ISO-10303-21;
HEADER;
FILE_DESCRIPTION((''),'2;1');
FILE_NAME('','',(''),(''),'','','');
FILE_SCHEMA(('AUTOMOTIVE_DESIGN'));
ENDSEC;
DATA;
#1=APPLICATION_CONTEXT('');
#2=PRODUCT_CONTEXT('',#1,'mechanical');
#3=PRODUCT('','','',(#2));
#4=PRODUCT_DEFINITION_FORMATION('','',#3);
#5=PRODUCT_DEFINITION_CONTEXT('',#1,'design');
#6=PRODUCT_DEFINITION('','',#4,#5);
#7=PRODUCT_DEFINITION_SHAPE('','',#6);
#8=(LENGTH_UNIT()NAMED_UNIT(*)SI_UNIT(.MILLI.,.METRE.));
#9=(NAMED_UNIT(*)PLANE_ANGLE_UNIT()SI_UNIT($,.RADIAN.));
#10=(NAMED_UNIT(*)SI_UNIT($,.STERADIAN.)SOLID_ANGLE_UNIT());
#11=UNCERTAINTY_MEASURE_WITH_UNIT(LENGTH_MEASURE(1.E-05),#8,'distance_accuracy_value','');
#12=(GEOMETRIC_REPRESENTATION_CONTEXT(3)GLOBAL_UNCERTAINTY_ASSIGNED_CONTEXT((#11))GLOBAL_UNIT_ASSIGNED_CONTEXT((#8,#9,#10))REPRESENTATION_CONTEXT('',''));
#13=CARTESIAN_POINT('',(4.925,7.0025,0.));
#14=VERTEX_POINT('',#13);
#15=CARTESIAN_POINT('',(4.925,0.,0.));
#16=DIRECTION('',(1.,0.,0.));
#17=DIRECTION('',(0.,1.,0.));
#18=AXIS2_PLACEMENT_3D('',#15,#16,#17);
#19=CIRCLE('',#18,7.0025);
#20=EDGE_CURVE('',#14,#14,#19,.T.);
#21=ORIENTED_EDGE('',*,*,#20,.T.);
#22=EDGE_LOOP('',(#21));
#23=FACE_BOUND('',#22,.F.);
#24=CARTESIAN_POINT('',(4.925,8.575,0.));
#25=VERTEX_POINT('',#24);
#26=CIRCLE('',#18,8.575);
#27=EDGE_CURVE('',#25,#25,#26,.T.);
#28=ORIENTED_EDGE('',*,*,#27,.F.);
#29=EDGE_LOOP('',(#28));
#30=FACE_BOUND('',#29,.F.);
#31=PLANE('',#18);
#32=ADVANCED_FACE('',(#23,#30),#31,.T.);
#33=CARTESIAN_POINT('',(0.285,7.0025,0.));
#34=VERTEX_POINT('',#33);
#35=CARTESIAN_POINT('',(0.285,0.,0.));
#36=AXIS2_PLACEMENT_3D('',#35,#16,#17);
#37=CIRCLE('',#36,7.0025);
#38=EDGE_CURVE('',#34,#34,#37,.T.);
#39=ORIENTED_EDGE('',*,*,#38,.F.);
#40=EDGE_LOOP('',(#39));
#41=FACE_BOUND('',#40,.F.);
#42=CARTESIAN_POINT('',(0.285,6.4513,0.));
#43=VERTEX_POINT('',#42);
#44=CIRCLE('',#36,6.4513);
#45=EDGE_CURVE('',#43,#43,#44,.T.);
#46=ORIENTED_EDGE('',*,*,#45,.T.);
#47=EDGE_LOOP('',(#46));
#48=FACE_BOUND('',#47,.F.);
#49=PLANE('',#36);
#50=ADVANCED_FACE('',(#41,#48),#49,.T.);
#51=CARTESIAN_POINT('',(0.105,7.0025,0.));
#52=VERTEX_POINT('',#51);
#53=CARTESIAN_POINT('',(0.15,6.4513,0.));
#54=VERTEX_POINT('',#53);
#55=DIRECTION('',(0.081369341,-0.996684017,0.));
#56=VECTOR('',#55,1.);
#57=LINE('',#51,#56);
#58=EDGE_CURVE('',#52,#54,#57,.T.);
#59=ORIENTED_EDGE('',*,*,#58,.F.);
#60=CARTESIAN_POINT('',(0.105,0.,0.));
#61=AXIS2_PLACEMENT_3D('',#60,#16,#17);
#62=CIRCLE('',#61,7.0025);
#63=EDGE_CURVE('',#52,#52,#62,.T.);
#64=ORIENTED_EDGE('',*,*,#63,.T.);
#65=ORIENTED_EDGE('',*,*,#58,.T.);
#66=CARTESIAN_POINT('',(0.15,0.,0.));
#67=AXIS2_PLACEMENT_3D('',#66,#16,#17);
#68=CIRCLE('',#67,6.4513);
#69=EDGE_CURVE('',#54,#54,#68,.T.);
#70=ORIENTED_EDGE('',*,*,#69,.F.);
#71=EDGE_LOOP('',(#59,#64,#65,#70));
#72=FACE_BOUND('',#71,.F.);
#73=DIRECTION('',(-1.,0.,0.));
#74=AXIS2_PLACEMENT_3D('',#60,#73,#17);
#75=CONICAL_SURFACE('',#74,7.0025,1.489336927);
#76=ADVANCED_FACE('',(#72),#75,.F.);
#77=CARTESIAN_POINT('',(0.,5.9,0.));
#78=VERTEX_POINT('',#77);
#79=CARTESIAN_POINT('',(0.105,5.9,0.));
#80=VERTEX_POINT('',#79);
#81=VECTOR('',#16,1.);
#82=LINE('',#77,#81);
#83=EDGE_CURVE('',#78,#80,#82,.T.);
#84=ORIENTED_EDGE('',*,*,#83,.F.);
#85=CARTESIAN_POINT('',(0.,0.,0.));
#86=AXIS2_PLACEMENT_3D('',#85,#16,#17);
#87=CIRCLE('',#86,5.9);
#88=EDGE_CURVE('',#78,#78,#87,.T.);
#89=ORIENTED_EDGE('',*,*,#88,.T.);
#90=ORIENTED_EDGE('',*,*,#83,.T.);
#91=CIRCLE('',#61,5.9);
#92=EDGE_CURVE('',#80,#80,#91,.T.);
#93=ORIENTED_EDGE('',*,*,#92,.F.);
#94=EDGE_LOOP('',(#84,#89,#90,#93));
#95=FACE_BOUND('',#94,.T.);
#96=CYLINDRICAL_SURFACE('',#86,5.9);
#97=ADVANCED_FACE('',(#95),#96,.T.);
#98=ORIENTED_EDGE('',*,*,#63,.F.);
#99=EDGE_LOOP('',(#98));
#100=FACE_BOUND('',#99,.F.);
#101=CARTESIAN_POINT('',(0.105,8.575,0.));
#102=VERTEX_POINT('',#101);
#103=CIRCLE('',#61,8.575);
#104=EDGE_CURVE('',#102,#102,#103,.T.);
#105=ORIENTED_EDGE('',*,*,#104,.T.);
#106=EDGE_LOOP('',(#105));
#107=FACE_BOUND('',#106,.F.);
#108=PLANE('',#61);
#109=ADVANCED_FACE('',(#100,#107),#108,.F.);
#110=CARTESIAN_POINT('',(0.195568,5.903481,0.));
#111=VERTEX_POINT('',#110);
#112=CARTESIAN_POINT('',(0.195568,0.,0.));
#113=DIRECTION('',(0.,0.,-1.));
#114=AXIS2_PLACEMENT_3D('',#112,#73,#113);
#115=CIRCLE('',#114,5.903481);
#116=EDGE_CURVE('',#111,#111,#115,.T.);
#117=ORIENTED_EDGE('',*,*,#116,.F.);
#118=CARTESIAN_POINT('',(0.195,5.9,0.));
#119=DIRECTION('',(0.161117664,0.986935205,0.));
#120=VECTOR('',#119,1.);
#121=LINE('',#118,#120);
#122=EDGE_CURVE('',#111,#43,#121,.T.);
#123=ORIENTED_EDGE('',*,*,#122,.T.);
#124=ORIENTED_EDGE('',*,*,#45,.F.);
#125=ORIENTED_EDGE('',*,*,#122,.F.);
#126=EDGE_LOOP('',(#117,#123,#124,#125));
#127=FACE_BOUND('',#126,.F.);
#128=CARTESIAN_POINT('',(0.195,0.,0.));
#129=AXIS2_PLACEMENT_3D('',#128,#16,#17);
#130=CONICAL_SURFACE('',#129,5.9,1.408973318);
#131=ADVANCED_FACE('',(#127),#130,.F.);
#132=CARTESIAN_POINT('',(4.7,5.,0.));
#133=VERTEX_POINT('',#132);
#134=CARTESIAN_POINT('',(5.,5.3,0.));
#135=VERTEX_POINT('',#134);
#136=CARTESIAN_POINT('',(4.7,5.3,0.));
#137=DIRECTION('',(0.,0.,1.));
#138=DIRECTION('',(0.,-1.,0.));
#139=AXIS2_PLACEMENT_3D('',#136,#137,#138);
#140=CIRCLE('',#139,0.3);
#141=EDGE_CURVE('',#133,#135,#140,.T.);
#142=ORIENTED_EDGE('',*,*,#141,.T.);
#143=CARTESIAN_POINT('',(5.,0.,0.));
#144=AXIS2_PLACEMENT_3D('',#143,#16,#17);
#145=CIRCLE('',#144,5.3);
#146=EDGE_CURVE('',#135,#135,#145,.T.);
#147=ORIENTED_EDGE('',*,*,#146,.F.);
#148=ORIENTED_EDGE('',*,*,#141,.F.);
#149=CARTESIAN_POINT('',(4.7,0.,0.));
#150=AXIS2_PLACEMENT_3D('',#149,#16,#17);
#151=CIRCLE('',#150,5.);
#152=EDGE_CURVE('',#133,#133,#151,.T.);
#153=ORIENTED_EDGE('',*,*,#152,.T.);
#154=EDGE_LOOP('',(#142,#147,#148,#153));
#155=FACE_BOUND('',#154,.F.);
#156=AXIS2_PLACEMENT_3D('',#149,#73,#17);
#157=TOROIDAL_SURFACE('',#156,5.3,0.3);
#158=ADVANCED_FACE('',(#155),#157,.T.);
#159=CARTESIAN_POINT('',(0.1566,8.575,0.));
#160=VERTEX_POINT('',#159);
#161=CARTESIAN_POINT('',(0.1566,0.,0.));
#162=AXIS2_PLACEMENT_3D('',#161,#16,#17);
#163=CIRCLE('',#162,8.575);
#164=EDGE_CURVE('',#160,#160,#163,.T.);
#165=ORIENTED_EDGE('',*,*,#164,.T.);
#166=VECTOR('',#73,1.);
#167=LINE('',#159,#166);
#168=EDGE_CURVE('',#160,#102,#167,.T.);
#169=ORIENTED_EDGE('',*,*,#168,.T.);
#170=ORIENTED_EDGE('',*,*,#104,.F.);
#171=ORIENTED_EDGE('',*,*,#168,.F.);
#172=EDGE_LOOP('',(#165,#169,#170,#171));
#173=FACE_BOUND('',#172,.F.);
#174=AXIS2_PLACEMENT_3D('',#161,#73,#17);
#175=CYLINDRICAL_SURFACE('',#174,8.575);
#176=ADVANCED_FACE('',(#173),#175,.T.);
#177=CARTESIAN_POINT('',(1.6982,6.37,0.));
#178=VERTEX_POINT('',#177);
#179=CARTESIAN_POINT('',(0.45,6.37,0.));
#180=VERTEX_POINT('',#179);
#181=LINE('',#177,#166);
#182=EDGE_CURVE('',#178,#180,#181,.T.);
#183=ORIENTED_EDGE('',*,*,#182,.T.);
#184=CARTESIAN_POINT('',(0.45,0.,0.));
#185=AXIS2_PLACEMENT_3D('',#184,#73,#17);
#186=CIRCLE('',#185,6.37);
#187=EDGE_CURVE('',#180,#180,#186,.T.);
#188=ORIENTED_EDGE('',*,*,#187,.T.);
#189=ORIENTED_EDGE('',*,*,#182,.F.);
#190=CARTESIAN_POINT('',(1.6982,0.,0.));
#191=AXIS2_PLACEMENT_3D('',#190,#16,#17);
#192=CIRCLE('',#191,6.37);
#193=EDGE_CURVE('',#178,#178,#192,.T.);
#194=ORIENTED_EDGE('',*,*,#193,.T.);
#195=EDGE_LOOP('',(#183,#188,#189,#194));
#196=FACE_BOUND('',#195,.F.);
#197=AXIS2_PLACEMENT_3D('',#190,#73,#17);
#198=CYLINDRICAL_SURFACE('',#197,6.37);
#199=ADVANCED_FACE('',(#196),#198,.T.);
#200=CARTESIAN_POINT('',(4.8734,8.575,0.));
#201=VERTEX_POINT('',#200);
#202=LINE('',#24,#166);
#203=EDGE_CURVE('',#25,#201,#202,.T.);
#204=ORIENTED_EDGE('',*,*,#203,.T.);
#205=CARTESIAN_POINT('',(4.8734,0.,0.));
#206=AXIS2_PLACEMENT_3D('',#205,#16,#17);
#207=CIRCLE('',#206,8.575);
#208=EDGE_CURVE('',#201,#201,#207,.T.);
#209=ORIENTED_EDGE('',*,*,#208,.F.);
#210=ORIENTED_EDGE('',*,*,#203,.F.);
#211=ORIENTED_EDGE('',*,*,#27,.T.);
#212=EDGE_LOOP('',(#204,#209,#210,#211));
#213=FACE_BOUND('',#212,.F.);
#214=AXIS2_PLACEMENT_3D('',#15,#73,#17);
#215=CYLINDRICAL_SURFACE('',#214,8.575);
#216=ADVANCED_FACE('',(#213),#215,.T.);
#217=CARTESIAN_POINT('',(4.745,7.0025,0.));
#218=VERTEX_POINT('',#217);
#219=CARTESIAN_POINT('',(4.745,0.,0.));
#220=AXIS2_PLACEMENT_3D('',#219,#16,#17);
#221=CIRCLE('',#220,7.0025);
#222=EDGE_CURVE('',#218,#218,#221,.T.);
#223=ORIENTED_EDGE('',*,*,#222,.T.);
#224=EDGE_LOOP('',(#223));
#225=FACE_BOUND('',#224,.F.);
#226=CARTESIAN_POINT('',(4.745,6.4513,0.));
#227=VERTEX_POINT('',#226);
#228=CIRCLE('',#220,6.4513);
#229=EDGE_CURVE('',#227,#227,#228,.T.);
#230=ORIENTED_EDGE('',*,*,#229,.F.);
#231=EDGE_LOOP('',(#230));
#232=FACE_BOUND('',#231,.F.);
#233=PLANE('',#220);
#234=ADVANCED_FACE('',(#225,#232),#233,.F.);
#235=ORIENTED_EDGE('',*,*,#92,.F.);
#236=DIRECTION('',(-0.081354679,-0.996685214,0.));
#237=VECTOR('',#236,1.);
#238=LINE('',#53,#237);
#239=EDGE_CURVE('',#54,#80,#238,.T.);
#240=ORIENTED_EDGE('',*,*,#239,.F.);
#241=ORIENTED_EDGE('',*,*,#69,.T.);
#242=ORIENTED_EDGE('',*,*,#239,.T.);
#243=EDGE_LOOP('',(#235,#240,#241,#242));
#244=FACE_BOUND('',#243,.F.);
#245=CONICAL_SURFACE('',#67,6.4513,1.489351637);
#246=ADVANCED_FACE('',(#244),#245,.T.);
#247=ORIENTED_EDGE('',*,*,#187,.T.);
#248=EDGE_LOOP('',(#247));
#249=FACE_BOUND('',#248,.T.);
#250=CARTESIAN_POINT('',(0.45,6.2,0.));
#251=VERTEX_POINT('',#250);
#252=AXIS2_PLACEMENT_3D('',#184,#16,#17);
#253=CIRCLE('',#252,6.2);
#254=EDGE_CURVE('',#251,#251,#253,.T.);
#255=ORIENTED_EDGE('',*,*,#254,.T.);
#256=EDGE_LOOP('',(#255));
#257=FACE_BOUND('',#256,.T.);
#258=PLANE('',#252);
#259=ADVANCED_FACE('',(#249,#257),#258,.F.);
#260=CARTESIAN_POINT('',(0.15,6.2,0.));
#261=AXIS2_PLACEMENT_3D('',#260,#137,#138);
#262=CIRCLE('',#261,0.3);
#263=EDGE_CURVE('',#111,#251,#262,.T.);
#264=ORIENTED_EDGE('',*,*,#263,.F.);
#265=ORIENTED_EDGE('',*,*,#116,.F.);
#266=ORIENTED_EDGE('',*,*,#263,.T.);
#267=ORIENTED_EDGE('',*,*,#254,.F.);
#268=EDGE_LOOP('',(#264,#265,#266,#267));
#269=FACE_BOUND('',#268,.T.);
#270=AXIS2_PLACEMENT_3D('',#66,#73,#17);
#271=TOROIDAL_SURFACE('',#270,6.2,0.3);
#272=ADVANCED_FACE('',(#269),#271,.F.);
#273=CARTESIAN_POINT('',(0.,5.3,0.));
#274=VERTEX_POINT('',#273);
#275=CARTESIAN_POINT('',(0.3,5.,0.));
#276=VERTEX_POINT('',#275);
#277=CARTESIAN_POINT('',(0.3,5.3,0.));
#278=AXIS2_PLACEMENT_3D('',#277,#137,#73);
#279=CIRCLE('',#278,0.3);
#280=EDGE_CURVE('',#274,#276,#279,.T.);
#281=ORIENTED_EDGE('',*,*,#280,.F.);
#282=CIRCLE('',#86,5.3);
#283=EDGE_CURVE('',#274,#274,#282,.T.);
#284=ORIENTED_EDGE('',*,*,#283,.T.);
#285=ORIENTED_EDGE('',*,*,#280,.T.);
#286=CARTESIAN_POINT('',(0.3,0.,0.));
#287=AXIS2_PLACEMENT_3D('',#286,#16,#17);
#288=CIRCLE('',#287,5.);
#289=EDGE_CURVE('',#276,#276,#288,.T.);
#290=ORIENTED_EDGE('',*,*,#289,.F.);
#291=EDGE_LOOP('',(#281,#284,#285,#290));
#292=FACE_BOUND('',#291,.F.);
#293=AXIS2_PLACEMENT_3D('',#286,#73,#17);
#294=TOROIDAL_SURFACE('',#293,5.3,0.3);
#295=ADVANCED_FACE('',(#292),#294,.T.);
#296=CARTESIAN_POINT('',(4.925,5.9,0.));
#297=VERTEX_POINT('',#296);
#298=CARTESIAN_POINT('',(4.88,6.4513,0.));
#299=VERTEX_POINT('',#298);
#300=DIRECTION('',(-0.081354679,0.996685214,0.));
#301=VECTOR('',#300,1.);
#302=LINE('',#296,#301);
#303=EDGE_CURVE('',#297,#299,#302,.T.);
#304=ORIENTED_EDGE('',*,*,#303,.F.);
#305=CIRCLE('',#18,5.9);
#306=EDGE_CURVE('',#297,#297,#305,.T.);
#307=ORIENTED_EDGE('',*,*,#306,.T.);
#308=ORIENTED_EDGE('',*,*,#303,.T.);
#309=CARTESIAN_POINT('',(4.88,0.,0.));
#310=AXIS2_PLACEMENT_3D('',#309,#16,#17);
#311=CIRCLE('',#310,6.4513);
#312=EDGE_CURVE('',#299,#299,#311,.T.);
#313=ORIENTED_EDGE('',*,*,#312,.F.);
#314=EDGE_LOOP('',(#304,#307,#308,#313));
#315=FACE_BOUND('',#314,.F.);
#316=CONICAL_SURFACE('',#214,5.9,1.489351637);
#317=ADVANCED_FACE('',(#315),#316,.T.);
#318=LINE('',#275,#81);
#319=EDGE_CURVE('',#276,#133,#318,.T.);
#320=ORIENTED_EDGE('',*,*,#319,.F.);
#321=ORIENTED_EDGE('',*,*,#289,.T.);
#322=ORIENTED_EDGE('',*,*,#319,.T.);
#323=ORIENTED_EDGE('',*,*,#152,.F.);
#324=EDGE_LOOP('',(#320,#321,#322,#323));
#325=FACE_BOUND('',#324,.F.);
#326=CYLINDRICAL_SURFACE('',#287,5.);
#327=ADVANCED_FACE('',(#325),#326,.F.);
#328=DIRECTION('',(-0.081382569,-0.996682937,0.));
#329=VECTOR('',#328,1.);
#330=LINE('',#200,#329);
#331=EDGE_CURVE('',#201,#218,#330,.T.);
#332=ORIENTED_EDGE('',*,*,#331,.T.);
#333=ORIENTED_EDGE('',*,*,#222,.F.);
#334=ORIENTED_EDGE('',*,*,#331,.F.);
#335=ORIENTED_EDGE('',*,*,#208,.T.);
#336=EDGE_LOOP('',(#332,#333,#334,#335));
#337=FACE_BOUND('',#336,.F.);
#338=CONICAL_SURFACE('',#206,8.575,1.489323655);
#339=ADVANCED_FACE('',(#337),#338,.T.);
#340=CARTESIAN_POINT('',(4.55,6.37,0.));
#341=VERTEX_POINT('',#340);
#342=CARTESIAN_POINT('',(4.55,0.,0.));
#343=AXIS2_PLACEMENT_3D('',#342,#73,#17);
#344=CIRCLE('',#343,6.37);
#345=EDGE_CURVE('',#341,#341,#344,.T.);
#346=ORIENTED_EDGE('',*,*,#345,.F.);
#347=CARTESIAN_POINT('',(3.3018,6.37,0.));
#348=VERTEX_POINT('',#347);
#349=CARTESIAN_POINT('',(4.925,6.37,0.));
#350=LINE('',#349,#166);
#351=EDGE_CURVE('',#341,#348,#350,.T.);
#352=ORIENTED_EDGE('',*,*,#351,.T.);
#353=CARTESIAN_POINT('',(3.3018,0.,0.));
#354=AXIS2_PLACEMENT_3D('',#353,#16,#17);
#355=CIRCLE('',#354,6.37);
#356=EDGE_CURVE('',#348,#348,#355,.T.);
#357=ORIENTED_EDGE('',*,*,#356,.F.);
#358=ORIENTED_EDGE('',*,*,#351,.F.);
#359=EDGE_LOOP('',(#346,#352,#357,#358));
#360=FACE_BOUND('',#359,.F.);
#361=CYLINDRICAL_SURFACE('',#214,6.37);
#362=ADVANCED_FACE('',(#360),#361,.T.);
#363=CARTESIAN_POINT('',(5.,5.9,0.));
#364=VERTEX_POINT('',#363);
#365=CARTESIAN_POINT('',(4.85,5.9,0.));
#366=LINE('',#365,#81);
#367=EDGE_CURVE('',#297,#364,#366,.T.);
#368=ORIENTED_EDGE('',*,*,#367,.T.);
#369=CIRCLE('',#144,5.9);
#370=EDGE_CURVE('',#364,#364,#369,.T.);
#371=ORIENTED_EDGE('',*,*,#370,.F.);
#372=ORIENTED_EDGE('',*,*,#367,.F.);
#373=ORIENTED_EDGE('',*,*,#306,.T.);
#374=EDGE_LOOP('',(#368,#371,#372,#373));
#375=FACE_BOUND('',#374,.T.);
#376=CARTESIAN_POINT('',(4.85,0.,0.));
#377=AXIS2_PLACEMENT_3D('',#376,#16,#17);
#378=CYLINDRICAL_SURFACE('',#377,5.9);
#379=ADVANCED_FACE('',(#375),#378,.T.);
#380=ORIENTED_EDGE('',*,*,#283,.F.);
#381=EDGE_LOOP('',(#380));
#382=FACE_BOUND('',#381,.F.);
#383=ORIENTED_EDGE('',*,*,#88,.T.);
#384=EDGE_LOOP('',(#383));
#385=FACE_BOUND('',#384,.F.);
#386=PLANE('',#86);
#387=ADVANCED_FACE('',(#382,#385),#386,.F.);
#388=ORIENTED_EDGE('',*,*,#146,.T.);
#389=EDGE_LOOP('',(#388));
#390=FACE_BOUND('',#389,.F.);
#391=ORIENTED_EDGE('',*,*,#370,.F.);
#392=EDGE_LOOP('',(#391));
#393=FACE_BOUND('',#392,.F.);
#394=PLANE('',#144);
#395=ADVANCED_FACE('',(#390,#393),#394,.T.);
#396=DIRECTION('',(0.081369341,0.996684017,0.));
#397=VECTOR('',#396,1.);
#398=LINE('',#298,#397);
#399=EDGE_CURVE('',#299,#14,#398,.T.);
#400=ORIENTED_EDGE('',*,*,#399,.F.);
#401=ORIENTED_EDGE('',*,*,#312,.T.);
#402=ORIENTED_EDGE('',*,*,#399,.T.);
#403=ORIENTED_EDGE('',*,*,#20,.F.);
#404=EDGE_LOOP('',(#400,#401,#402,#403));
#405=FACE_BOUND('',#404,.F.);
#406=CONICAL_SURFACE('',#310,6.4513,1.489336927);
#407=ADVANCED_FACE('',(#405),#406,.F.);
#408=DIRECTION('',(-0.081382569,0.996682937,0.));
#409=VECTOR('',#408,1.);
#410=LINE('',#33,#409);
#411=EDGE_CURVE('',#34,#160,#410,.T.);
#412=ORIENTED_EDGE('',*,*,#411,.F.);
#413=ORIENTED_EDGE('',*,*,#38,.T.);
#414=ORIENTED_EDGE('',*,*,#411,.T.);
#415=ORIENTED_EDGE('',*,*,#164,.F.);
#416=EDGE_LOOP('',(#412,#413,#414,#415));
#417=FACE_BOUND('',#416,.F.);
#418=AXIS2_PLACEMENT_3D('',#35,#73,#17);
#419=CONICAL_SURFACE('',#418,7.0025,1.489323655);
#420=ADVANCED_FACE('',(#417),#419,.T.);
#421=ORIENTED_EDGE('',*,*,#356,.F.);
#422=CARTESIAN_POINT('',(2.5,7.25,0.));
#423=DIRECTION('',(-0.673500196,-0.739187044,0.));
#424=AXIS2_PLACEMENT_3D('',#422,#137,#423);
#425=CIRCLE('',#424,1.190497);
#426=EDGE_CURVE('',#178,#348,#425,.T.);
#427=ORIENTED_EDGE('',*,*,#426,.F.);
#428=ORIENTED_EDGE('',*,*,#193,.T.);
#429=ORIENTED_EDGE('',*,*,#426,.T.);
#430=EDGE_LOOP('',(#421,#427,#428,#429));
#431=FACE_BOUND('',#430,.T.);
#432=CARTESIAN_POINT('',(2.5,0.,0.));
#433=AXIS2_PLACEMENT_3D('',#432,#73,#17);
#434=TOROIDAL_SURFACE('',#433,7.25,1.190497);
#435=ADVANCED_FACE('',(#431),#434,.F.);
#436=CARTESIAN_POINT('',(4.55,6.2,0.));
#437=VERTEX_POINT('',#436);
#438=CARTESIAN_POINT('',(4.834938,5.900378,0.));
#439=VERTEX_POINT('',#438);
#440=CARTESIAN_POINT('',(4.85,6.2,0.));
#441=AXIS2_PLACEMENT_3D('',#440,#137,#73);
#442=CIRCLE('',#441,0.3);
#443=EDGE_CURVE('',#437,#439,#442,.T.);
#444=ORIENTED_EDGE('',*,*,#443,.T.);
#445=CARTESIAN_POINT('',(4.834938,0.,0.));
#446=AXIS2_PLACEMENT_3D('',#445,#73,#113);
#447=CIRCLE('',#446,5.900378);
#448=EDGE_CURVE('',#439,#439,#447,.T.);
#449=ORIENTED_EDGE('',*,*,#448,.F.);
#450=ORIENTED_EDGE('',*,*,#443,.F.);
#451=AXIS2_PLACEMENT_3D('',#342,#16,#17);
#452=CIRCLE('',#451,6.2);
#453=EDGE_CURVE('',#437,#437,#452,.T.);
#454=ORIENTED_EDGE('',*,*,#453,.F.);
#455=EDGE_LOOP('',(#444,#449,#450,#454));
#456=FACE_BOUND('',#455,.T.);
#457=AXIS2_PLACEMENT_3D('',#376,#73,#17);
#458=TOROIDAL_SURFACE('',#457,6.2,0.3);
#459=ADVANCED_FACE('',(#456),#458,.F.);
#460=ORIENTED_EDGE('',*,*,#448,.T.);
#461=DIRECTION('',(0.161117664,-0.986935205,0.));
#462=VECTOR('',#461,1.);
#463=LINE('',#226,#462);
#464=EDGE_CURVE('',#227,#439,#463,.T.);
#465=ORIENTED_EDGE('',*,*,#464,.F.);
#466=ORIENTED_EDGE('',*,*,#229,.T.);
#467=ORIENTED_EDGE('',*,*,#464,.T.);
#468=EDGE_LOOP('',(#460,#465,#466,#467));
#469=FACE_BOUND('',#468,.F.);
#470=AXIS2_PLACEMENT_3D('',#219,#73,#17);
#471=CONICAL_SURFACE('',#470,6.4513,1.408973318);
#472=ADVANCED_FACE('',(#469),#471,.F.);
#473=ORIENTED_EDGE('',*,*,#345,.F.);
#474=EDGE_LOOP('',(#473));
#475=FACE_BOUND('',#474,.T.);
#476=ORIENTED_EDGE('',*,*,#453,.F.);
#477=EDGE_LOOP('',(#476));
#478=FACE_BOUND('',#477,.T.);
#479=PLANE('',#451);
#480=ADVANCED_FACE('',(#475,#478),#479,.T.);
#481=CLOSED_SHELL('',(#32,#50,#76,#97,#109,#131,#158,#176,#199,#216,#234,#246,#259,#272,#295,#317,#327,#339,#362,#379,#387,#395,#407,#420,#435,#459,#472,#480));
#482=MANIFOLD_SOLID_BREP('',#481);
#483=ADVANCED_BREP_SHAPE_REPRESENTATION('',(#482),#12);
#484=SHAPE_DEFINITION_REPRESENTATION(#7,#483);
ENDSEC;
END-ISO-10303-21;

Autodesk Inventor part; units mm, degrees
ref_plane "YZ Plane" through (0, 0, 0) normal (1, 0, 0) x (0, 1, 0)
ref_plane "XZ Plane" through (0, 0, 0) normal (0, 1, 0) x (-1, 0, 0)
ref_plane "XY Plane" through (0, 0, 0) normal (0, 0, 1) x (1, 0, 0)
sketch "Sketch_40" plane through (0, 0, 0) normal (0, 0, 1) x (1, 0, 0)
  line L0 (2.5, 0) -> (-2.5, 0)
  line L1 (0, 6.295) -> (0, 5.3)
  arc A0 (0, 5.3) -> (0.3, 5) centre (0.3, 5.3) ccw
  line L2 (0.3, 5) -> (4.7, 5)
  arc A1 (4.7, 5) -> (5, 5.3) centre (4.7, 5.3) ccw
  line L3 (5, 5.3) -> (5, 6.295)
  arc A2 (5, 6.295) -> (4.925, 6.37) centre (4.925, 6.295) ccw
  line L4 (4.925, 6.37) -> (3.3018, 6.37)
  arc A3 (1.6982, 6.37) -> (3.3018, 6.37) centre (2.5, 7.25) ccw
  line L5 (1.6982, 6.37) -> (0.075, 6.37)
  arc A4 (0.075, 6.37) -> (0, 6.295) centre (0.075, 6.295) ccw
revolve "Revolution1" add sketch "Sketch_40" angle 360 about axis through (2.5, 0, 0) along (1, 0, 0)
sketch "Sketch_42" plane through (0, 0, 0) normal (0, 0, 1) x (1, 0, 0)
  line L0 (2.5, 0) -> (-2.5, 0)
  line L1 (0, 13.15) -> (0, 5.9)
  line L2 (0, 5.9) -> (0.15, 5.9)
  arc A0 (0.15, 5.9) -> (0.45, 6.2) centre (0.15, 6.2) ccw
  line L3 (0.45, 6.2) -> (0.45, 12.85)
  line L4 (0.45, 12.85) -> (4.55, 12.85)
  line L5 (4.55, 12.85) -> (4.55, 6.2)
  arc A1 (4.55, 6.2) -> (4.85, 5.9) centre (4.85, 6.2) ccw
  line L6 (4.85, 5.9) -> (5, 5.9)
  line L7 (5, 5.9) -> (5, 13.15)
  line L8 (5, 13.15) -> (0, 13.15)
revolve "Revolution2" cut sketch "Sketch_42" angle 360 about axis through (2.5, 0, 0) along (1, 0, 0)
sketch "Sketch_44" plane through (0, 0, 0) normal (0, 0, 1) x (1, 0, 0)
  line L0 (5, 0) -> (-5, 0)
  line L1 (4.745, 6.4513) -> (4.835, 5.9)
  line L2 (4.835, 5.9) -> (4.925, 5.9)
  line L3 (4.925, 5.9) -> (4.88, 6.4513)
  line L4 (4.88, 6.4513) -> (4.925, 7.0025)
  line L5 (4.925, 7.0025) -> (4.925, 8.575)
  line L6 (4.925, 8.575) -> (4.8734, 8.575)
  line L7 (4.8734, 8.575) -> (4.745, 7.0025)
  line L8 (4.745, 7.0025) -> (4.745, 6.4513)
revolve "Revolution3" add sketch "Sketch_44" angle 360 about axis through (5, 0, 0) along (1, 0, 0)
sketch "Sketch_49" plane through (0, 0, 0) normal (0, 0, 1) x (1, 0, 0)
  line L0 (5, 0) -> (-5, 0)
  line L1 (0.105, 5.9) -> (0.195, 5.9)
  line L2 (0.195, 5.9) -> (0.285, 6.4513)
  line L3 (0.285, 6.4513) -> (0.285, 7.0025)
  line L4 (0.285, 7.0025) -> (0.1566, 8.575)
  line L5 (0.1566, 8.575) -> (0.105, 8.575)
  line L6 (0.105, 8.575) -> (0.105, 7.0025)
  line L7 (0.105, 7.0025) -> (0.15, 6.4513)
  line L8 (0.15, 6.4513) -> (0.105, 5.9)
revolve "Revolution4" add sketch "Sketch_49" angle 360 about axis through (5, 0, 0) along (1, 0, 0)
properties part number "SKF_W 61800 R-2RS1_PART1"
